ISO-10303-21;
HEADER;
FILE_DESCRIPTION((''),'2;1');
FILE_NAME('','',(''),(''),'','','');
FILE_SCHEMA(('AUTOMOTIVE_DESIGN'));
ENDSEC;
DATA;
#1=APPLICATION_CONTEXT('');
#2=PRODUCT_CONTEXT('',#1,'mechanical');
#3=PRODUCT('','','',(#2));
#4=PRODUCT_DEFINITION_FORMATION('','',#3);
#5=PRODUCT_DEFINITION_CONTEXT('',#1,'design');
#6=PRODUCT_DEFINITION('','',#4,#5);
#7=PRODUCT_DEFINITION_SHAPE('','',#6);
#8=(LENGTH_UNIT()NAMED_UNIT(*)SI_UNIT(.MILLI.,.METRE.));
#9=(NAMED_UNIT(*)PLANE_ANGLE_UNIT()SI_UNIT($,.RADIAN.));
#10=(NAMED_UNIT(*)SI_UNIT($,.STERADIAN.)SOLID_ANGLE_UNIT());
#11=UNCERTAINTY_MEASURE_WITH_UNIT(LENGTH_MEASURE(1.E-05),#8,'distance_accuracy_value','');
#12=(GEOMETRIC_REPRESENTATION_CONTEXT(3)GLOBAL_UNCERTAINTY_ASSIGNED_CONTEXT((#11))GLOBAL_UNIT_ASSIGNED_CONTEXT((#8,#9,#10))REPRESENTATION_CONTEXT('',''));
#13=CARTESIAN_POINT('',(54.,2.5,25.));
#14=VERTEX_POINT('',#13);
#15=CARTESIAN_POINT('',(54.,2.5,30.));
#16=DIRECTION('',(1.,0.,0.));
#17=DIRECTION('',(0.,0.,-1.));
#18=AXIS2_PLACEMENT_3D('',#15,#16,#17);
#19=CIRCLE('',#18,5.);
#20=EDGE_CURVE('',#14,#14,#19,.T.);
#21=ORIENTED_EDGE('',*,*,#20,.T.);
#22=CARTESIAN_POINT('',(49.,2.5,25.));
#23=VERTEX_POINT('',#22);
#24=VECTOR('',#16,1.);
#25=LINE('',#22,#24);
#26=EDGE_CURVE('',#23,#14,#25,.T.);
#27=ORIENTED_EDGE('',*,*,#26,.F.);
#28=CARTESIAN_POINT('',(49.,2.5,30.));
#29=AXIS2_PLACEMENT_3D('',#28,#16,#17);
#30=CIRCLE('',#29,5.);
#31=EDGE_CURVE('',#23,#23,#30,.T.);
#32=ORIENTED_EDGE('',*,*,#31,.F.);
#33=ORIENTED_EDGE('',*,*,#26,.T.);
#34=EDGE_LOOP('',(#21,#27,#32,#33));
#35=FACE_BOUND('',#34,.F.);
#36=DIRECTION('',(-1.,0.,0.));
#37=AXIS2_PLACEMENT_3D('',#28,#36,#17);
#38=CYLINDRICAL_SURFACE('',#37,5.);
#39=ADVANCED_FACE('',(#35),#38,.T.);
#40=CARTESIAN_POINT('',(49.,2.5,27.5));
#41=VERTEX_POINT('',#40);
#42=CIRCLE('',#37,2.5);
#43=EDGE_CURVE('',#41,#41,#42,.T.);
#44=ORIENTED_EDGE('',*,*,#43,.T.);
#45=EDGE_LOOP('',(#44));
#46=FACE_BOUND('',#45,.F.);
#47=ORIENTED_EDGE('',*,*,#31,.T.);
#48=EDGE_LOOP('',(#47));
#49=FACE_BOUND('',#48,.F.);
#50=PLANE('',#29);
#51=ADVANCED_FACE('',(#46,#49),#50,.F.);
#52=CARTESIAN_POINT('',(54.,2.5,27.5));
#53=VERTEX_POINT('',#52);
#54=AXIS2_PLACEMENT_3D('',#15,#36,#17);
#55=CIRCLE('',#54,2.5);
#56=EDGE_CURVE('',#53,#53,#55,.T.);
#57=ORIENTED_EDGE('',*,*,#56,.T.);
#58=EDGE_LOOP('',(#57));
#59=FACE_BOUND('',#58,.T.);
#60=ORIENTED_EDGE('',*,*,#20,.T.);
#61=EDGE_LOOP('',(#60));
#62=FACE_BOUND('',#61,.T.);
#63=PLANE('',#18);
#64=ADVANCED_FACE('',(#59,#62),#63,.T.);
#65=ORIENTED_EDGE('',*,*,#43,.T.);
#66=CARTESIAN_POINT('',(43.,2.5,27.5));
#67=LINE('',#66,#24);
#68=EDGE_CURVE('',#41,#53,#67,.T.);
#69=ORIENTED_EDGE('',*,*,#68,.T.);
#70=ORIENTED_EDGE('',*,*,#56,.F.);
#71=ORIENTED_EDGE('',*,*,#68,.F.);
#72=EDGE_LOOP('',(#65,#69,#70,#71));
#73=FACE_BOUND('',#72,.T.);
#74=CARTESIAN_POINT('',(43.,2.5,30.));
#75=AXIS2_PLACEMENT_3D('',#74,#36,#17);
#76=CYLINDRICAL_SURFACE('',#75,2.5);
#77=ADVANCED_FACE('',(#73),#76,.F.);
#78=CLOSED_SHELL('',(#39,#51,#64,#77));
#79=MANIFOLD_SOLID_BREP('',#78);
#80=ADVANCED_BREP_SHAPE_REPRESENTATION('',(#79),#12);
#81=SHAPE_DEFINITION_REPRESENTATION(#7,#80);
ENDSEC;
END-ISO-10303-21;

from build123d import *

# Parameters (mm, degrees)
CYLINDER015_R          = 2.5
CYLINDER015_DEPTH      = 25
CYLINDER014_R          = 5
CYLINDER014_DEPTH      = 5
CUT009_PLACEMENT_ANGLE = 90


with BuildPart() as rotor005:
    # Cylinder015 → Cylinder015 (new body)
    with BuildSketch(Plane(origin=(25, 25, 43), x_dir=(1, 0, 0), z_dir=(0, 0, 1))):
        Circle(CYLINDER015_R)
    extrude(amount=CYLINDER015_DEPTH)


with BuildPart() as e:
    # Cylinder014 → Cylinder014 (new body)
    with BuildSketch(Plane(origin=(25, 25, 49), x_dir=(1, 0, 0), z_dir=(0, 0, 1))):
        Circle(CYLINDER014_R)
    extrude(amount=CYLINDER014_DEPTH)

    # Cut009: cut Rotor005
    add(rotor005.part, mode=Mode.SUBTRACT)


with BuildPart() as e_1:
    # Cut009 placement: moved
    add(e.part.moved(Location((0, -22.5, 55))).rotate(Axis((0, -22.5, 55), (0, 1, 0)), CUT009_PLACEMENT_ANGLE))


solid = e_1.part
